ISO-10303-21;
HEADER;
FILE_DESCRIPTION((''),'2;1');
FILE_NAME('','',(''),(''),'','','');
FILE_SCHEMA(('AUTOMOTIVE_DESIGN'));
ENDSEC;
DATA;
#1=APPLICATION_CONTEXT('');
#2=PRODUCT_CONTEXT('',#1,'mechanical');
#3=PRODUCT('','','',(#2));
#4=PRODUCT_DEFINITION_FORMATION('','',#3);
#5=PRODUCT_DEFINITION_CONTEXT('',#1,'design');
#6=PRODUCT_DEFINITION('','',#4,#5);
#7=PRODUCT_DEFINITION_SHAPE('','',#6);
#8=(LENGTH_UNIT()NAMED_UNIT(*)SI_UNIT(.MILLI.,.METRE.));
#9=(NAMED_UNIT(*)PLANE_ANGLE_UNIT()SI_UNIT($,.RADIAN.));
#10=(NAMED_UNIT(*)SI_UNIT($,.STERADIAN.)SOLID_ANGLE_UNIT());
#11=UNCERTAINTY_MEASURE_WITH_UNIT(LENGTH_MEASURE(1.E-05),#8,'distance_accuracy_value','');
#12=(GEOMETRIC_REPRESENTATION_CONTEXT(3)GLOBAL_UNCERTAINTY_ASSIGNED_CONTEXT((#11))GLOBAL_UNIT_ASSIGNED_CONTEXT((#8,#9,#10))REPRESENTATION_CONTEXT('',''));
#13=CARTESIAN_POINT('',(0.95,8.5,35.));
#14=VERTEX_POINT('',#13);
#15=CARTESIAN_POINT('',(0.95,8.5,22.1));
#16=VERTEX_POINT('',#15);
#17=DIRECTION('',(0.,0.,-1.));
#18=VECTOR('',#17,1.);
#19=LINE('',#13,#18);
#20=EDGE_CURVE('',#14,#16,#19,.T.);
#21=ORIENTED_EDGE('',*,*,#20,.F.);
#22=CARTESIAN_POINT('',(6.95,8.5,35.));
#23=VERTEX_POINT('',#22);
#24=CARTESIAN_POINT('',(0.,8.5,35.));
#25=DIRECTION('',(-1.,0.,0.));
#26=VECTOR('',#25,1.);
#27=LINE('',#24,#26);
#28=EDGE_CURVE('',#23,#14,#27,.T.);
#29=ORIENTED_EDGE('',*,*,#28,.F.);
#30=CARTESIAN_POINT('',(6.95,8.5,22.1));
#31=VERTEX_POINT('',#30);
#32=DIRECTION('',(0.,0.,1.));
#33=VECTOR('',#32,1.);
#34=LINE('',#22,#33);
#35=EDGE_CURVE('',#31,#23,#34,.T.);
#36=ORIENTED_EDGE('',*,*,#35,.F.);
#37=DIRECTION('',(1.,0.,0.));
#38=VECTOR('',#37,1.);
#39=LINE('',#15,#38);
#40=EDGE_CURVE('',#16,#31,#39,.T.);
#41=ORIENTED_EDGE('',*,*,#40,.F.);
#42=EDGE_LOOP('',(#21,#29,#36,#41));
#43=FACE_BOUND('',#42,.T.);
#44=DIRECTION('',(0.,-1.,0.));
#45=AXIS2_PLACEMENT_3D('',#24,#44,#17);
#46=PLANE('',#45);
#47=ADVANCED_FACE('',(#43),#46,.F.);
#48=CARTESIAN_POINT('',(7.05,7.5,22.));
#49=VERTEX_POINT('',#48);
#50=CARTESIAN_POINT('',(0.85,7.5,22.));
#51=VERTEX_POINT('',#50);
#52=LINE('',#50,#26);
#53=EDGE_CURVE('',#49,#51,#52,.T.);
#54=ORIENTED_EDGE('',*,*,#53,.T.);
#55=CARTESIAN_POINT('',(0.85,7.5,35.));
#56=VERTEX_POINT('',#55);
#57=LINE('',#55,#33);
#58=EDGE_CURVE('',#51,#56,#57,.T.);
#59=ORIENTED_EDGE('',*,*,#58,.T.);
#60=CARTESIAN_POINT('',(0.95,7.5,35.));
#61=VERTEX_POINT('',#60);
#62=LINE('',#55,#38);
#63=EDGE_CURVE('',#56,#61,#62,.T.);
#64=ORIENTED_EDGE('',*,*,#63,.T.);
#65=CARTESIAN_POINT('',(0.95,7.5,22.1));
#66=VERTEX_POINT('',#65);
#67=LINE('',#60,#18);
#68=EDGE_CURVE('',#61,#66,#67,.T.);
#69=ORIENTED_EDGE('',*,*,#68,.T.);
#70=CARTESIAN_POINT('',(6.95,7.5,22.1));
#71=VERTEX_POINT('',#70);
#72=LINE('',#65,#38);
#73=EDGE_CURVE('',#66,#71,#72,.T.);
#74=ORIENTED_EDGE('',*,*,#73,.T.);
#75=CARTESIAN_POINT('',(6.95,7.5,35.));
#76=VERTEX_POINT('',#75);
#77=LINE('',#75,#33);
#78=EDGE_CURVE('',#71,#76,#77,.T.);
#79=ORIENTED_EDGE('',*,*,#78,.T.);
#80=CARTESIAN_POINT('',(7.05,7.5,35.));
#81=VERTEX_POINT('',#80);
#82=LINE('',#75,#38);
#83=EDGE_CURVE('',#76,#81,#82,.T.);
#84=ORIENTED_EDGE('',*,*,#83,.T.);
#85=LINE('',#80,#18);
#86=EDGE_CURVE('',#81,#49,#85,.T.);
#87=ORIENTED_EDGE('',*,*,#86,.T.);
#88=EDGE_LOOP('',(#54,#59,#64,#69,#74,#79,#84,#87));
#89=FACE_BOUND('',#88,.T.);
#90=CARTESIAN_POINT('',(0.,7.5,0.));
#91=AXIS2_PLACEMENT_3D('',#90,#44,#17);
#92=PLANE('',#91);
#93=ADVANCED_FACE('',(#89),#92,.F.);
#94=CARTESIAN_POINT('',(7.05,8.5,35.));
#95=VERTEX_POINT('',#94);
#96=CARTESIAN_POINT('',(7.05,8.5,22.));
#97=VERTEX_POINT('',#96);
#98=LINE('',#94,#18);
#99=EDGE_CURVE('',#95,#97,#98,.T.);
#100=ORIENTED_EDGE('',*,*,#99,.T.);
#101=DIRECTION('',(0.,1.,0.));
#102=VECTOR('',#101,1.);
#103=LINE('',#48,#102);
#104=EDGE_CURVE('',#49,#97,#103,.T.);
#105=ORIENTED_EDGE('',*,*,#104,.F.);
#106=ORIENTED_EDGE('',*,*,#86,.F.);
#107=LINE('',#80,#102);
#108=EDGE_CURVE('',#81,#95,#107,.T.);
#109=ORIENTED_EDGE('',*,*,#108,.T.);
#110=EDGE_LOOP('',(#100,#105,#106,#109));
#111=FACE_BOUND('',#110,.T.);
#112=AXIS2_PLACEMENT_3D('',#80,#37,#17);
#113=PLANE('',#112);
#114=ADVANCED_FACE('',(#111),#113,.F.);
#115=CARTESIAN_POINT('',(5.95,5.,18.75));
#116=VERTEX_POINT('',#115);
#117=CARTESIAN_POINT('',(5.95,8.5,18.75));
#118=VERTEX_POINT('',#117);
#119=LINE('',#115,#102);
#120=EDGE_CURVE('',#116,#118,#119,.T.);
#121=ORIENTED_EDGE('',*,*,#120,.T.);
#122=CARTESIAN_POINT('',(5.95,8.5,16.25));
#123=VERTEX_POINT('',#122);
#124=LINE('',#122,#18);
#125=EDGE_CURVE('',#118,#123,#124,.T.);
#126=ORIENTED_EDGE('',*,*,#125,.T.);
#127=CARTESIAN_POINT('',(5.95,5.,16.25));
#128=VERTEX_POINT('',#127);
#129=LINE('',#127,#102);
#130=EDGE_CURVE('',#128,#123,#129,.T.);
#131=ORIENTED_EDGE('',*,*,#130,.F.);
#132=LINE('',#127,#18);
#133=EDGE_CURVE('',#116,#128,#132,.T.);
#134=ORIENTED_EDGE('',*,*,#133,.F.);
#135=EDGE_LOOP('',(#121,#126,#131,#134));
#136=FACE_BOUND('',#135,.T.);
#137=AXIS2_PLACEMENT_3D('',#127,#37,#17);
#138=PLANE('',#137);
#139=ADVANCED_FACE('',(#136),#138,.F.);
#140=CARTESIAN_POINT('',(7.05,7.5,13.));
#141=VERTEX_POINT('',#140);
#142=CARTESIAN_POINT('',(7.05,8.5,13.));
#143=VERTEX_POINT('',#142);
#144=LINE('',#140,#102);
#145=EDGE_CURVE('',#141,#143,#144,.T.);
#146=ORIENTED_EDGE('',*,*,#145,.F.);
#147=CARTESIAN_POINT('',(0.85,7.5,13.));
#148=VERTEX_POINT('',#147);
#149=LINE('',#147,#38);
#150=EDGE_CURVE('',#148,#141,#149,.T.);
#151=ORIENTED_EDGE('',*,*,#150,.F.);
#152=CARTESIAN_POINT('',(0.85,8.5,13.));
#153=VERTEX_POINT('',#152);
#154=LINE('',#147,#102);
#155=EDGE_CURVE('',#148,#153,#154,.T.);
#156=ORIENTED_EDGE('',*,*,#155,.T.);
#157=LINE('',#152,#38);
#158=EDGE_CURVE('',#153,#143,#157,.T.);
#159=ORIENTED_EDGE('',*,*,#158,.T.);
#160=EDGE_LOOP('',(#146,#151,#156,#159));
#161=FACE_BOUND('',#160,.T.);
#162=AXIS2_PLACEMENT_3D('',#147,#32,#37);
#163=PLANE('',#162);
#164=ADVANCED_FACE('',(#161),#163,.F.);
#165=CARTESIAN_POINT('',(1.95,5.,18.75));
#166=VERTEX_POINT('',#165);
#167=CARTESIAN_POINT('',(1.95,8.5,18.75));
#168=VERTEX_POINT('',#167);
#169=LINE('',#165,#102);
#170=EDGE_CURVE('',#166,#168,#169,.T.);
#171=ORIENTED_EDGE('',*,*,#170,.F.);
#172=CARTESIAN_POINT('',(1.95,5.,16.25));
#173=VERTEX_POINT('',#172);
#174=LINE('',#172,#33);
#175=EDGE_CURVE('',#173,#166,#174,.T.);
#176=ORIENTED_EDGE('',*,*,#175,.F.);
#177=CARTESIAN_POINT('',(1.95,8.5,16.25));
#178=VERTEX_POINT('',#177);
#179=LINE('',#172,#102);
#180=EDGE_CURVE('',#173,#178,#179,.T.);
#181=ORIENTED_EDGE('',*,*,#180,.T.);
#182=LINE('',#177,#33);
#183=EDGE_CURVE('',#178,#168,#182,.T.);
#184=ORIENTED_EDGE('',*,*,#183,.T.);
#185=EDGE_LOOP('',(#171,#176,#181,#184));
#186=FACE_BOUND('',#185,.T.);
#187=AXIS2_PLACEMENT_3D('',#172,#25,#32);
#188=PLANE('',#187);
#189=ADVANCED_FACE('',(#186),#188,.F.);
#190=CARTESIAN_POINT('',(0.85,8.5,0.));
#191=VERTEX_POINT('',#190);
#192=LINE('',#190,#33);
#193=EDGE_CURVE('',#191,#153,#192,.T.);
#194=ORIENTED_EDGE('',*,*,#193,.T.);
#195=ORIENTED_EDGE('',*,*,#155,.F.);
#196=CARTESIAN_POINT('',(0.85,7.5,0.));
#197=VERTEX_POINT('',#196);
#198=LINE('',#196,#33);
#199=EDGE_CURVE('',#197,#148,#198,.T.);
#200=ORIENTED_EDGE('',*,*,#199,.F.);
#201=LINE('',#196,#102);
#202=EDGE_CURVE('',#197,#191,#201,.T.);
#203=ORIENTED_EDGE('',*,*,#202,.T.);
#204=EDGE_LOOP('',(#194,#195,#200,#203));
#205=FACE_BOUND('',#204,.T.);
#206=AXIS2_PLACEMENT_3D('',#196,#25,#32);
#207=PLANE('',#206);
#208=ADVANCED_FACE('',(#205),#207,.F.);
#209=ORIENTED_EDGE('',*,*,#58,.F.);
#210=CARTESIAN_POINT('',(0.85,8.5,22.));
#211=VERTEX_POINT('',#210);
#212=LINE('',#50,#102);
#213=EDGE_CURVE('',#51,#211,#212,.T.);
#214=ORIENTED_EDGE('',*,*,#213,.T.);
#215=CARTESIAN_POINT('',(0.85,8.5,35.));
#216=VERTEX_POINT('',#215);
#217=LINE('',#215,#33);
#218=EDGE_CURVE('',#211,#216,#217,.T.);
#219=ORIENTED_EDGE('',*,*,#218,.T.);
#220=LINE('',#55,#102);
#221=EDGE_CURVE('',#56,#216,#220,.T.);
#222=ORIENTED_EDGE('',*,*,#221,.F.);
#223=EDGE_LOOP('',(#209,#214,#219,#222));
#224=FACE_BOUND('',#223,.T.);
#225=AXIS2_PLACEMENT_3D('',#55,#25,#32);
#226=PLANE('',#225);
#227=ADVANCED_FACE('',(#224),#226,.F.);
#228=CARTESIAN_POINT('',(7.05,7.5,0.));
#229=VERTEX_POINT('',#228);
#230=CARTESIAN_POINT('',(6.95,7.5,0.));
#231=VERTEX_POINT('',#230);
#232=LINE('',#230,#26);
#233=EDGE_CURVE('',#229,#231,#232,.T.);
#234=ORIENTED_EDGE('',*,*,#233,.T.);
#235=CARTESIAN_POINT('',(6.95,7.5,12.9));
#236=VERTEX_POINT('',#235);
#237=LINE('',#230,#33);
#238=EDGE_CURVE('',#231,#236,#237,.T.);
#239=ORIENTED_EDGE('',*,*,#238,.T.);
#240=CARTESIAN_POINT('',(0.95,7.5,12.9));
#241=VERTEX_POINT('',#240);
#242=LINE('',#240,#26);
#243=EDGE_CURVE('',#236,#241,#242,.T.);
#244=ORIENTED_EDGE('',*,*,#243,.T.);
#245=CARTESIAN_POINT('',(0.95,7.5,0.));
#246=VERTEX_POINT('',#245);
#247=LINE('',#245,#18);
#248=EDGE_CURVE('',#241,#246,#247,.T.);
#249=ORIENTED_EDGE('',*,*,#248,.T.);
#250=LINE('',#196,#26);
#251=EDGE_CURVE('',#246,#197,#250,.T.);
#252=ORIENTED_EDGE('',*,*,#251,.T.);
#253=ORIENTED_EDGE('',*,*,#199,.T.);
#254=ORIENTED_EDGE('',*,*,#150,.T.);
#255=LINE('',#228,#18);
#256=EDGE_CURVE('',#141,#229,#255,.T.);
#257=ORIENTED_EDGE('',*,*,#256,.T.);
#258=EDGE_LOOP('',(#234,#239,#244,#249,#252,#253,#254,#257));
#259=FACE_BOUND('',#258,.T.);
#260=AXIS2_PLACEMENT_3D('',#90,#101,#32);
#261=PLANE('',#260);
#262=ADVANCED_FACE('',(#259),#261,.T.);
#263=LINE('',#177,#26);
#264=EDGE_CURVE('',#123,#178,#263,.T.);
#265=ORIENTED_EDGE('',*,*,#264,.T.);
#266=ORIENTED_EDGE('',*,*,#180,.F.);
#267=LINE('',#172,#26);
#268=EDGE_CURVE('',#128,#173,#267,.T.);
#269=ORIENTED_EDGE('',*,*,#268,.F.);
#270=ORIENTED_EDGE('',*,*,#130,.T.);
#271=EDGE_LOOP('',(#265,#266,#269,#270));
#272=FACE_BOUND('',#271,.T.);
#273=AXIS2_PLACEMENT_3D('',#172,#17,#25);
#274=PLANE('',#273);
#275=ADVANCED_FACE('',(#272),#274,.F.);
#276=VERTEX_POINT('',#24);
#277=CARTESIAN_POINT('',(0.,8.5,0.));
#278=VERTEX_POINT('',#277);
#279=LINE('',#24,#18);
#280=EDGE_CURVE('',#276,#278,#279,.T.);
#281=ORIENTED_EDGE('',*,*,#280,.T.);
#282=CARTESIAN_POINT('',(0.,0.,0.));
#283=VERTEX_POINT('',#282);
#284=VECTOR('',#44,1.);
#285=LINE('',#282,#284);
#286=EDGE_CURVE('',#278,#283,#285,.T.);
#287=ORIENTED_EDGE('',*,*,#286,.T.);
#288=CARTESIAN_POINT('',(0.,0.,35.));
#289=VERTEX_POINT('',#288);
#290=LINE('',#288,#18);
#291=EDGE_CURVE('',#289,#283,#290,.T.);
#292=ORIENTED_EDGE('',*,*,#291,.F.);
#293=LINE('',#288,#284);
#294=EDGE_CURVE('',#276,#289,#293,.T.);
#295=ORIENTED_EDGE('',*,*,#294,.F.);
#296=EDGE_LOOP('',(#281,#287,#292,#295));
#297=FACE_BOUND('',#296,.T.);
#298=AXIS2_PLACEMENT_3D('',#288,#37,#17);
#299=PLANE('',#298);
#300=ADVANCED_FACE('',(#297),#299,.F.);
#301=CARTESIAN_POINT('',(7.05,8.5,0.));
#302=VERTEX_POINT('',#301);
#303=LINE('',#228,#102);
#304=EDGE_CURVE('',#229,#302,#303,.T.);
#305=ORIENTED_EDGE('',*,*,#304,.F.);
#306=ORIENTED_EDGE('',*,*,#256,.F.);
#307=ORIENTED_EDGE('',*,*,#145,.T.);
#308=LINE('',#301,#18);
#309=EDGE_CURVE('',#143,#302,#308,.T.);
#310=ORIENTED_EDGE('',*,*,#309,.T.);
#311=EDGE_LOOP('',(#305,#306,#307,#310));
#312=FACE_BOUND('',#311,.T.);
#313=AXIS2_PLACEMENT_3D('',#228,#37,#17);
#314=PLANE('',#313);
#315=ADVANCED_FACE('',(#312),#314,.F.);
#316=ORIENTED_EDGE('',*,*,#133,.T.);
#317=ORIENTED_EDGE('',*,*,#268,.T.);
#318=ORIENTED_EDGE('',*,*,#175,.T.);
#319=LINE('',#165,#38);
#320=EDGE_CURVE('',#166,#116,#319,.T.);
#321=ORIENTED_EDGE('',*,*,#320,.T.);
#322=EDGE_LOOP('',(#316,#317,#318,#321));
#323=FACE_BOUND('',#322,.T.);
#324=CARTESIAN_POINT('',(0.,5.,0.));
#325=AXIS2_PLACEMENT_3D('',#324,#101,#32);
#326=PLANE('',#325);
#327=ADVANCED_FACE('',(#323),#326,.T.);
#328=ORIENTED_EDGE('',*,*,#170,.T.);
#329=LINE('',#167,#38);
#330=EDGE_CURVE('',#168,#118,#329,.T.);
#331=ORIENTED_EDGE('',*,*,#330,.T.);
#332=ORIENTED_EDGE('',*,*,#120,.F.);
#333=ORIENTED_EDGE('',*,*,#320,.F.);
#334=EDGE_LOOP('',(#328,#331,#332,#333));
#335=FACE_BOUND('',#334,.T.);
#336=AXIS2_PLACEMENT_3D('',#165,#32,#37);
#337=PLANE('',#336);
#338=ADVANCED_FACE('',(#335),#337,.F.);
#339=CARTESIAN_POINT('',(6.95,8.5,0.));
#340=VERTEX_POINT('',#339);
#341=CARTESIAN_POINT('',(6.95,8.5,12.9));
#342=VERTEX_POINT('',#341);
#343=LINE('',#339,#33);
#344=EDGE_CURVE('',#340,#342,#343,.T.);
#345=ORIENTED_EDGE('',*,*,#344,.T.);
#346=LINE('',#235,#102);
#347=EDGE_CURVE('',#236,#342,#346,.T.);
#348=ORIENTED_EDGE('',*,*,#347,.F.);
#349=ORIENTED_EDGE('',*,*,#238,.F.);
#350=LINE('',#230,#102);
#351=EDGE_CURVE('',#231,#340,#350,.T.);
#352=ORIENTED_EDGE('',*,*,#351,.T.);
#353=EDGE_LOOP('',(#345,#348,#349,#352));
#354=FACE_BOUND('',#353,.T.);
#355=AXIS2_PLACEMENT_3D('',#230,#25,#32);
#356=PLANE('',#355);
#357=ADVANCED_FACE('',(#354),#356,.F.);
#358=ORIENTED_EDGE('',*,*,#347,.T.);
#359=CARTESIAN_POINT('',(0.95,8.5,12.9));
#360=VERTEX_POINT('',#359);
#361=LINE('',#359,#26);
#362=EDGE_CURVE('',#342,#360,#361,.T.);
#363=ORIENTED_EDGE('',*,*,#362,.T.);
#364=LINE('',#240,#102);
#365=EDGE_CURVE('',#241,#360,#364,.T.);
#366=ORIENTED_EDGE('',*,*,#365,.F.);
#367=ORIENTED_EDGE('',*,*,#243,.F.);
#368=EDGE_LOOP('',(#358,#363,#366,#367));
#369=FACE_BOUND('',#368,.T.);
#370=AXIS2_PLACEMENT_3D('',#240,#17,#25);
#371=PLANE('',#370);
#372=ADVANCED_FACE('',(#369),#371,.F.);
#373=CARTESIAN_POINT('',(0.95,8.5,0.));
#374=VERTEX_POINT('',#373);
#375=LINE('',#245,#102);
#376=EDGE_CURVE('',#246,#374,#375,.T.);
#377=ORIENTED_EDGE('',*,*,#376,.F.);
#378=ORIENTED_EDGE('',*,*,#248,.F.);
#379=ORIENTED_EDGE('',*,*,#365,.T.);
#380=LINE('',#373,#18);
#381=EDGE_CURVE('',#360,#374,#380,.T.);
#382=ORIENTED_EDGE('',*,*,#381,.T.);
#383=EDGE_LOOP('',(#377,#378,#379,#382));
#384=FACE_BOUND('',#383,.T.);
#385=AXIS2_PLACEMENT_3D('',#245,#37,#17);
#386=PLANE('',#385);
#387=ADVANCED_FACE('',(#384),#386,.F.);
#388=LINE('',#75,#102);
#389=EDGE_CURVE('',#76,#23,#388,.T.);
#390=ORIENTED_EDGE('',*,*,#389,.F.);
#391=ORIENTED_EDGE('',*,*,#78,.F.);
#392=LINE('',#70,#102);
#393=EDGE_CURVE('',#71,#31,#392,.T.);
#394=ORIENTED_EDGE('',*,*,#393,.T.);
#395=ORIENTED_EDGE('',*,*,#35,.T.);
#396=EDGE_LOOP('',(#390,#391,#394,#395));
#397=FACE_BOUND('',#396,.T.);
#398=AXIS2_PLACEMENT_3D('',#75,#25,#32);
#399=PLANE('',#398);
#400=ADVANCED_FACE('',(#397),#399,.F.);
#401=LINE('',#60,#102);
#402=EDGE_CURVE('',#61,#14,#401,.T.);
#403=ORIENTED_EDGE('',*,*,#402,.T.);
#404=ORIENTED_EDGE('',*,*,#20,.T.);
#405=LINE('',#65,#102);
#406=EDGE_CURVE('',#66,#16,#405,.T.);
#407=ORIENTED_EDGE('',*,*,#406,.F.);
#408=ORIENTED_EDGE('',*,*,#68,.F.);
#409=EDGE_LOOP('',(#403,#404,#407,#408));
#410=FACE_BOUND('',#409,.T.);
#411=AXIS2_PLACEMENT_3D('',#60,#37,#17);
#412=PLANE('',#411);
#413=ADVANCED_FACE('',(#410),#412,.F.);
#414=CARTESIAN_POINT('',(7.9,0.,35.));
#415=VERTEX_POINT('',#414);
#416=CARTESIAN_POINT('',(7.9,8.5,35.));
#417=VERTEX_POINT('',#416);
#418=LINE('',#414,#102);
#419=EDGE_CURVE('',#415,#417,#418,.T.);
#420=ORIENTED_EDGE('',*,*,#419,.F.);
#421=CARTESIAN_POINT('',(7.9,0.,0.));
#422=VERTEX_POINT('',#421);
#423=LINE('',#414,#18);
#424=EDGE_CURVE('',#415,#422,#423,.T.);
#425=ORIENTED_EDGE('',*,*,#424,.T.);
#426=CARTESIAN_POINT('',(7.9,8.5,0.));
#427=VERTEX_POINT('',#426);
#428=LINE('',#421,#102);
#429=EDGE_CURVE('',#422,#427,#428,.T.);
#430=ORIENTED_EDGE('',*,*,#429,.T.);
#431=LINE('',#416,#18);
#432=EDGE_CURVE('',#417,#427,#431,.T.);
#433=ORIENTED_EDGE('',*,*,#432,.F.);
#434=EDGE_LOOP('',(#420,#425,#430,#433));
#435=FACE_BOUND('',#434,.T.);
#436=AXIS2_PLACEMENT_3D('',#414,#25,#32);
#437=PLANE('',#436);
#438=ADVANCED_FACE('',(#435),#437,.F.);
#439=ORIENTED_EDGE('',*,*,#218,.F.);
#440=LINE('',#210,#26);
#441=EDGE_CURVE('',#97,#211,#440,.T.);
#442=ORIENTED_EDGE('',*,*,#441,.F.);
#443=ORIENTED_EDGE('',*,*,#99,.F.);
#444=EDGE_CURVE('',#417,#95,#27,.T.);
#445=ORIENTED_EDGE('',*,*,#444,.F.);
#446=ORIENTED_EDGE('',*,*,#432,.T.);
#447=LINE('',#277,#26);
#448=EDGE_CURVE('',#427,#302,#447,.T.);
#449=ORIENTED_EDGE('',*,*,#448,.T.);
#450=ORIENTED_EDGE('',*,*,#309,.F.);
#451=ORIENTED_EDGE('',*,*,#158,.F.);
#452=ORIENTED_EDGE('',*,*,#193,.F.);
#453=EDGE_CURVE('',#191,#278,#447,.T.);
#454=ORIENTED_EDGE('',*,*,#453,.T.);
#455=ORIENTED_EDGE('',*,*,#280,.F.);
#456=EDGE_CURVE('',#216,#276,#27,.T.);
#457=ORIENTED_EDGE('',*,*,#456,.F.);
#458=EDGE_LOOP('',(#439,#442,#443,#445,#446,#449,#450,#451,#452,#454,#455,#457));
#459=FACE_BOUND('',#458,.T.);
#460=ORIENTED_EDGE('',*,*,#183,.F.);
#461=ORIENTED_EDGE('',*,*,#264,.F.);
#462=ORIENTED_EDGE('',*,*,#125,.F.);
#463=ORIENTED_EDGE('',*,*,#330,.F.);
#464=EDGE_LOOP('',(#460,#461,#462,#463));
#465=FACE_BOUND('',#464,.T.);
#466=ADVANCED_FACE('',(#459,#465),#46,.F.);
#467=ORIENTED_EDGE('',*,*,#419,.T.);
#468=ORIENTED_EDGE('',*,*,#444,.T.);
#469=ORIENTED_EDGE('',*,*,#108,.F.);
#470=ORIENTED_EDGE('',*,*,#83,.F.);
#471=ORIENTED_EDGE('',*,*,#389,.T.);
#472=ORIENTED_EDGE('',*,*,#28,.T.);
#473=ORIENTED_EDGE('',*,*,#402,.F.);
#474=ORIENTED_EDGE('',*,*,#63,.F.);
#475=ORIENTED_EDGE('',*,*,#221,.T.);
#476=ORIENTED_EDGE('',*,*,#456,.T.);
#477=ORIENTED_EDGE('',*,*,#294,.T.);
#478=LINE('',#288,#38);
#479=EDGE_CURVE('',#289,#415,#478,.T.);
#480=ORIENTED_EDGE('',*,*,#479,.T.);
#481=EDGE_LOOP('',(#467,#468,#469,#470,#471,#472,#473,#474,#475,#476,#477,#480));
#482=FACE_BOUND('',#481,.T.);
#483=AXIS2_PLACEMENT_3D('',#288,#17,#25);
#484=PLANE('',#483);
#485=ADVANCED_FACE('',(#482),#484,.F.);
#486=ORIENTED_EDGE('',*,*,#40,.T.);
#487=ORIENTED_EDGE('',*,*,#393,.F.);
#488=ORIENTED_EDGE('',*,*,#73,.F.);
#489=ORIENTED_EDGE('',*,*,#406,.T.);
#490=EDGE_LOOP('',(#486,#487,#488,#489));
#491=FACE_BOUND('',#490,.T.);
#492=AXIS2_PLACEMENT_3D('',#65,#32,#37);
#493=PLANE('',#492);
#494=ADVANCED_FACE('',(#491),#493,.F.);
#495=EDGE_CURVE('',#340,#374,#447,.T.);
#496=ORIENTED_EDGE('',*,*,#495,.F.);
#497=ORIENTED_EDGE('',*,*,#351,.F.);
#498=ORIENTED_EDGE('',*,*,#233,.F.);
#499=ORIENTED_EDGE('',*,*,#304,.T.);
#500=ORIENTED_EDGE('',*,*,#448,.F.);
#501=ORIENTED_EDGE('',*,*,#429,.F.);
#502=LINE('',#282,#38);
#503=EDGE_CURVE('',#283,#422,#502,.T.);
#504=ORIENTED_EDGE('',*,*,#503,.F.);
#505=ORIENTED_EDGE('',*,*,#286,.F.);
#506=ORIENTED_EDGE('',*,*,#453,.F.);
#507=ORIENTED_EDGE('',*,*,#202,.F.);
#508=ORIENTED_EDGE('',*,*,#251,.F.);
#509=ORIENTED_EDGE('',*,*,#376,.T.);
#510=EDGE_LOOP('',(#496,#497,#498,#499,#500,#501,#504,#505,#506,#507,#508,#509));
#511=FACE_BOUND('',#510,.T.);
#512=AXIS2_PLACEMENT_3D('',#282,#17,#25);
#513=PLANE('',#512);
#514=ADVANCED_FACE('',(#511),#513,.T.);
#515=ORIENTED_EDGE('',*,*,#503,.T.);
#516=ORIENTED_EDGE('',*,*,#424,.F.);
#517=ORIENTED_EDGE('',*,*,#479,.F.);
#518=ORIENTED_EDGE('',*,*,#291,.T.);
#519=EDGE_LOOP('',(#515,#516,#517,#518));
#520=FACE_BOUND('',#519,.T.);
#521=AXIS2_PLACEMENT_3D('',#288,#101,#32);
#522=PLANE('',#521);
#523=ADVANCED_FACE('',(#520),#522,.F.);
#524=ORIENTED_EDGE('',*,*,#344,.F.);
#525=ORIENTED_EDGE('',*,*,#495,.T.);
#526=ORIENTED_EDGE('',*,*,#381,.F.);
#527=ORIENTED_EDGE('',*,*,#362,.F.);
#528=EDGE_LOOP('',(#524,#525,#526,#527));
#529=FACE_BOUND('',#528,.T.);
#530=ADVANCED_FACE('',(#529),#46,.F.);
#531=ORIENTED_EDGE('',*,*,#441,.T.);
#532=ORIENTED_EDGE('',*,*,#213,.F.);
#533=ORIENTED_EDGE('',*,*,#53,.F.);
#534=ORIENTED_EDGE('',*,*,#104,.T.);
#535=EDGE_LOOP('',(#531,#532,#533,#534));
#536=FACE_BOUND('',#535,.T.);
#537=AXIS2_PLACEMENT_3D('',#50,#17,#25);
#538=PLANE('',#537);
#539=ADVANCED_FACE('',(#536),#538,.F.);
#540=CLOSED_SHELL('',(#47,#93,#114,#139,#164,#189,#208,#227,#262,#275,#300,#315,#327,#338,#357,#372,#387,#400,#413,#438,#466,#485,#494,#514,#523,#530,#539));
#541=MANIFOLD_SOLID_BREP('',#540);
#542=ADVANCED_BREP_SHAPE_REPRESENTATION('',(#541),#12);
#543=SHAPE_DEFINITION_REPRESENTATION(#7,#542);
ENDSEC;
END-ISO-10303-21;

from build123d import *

# Parameters (mm, degrees)
SKETCH1_W           = 7.9
SKETCH1_H           = 8.5
BOSS_EXTRUDE1_DEPTH = 35
CUT_EXTRUDE1_DEPTH  = 1
SKETCH3_W           = 4
SKETCH3_H           = 2.5
CUT_EXTRUDE2_DEPTH  = 3.5


with BuildPart() as part:
    # Sketch1 → Boss-Extrude1 (new body)
    with BuildSketch(Plane.XY):
        with Locations((3.95, 4.25)):
            Rectangle(SKETCH1_W, SKETCH1_H)
    extrude(amount=BOSS_EXTRUDE1_DEPTH)

    # Sketch2 → Cut-Extrude1 (cut)
    with BuildSketch(Plane(origin=(0, 8.5, 0), x_dir=(1, 0, 0), z_dir=(0, 1, 0))):
        Polygon((0.85, -35), (0.95, -35), (0.95, -22.1), (6.95, -22.1), (6.95, -35), (7.05, -35), (7.05, -22), (0.85, -22), align=None)
        Polygon((6.95, 0), (7.05, 0), (7.05, -13), (0.85, -13), (0.85, 0), (0.95, 0), (0.95, -12.9), (6.95, -12.9), align=None)
    extrude(amount=-CUT_EXTRUDE1_DEPTH, mode=Mode.SUBTRACT)

    # Sketch3 → Cut-Extrude2 (cut)
    with BuildSketch(Plane(origin=(0, 8.5, 0), x_dir=(1, 0, 0), z_dir=(0, 1, 0))):
        with Locations((3.95, -17.5)):
            Rectangle(SKETCH3_W, SKETCH3_H)
    extrude(amount=-CUT_EXTRUDE2_DEPTH, mode=Mode.SUBTRACT)


solid = part.part
